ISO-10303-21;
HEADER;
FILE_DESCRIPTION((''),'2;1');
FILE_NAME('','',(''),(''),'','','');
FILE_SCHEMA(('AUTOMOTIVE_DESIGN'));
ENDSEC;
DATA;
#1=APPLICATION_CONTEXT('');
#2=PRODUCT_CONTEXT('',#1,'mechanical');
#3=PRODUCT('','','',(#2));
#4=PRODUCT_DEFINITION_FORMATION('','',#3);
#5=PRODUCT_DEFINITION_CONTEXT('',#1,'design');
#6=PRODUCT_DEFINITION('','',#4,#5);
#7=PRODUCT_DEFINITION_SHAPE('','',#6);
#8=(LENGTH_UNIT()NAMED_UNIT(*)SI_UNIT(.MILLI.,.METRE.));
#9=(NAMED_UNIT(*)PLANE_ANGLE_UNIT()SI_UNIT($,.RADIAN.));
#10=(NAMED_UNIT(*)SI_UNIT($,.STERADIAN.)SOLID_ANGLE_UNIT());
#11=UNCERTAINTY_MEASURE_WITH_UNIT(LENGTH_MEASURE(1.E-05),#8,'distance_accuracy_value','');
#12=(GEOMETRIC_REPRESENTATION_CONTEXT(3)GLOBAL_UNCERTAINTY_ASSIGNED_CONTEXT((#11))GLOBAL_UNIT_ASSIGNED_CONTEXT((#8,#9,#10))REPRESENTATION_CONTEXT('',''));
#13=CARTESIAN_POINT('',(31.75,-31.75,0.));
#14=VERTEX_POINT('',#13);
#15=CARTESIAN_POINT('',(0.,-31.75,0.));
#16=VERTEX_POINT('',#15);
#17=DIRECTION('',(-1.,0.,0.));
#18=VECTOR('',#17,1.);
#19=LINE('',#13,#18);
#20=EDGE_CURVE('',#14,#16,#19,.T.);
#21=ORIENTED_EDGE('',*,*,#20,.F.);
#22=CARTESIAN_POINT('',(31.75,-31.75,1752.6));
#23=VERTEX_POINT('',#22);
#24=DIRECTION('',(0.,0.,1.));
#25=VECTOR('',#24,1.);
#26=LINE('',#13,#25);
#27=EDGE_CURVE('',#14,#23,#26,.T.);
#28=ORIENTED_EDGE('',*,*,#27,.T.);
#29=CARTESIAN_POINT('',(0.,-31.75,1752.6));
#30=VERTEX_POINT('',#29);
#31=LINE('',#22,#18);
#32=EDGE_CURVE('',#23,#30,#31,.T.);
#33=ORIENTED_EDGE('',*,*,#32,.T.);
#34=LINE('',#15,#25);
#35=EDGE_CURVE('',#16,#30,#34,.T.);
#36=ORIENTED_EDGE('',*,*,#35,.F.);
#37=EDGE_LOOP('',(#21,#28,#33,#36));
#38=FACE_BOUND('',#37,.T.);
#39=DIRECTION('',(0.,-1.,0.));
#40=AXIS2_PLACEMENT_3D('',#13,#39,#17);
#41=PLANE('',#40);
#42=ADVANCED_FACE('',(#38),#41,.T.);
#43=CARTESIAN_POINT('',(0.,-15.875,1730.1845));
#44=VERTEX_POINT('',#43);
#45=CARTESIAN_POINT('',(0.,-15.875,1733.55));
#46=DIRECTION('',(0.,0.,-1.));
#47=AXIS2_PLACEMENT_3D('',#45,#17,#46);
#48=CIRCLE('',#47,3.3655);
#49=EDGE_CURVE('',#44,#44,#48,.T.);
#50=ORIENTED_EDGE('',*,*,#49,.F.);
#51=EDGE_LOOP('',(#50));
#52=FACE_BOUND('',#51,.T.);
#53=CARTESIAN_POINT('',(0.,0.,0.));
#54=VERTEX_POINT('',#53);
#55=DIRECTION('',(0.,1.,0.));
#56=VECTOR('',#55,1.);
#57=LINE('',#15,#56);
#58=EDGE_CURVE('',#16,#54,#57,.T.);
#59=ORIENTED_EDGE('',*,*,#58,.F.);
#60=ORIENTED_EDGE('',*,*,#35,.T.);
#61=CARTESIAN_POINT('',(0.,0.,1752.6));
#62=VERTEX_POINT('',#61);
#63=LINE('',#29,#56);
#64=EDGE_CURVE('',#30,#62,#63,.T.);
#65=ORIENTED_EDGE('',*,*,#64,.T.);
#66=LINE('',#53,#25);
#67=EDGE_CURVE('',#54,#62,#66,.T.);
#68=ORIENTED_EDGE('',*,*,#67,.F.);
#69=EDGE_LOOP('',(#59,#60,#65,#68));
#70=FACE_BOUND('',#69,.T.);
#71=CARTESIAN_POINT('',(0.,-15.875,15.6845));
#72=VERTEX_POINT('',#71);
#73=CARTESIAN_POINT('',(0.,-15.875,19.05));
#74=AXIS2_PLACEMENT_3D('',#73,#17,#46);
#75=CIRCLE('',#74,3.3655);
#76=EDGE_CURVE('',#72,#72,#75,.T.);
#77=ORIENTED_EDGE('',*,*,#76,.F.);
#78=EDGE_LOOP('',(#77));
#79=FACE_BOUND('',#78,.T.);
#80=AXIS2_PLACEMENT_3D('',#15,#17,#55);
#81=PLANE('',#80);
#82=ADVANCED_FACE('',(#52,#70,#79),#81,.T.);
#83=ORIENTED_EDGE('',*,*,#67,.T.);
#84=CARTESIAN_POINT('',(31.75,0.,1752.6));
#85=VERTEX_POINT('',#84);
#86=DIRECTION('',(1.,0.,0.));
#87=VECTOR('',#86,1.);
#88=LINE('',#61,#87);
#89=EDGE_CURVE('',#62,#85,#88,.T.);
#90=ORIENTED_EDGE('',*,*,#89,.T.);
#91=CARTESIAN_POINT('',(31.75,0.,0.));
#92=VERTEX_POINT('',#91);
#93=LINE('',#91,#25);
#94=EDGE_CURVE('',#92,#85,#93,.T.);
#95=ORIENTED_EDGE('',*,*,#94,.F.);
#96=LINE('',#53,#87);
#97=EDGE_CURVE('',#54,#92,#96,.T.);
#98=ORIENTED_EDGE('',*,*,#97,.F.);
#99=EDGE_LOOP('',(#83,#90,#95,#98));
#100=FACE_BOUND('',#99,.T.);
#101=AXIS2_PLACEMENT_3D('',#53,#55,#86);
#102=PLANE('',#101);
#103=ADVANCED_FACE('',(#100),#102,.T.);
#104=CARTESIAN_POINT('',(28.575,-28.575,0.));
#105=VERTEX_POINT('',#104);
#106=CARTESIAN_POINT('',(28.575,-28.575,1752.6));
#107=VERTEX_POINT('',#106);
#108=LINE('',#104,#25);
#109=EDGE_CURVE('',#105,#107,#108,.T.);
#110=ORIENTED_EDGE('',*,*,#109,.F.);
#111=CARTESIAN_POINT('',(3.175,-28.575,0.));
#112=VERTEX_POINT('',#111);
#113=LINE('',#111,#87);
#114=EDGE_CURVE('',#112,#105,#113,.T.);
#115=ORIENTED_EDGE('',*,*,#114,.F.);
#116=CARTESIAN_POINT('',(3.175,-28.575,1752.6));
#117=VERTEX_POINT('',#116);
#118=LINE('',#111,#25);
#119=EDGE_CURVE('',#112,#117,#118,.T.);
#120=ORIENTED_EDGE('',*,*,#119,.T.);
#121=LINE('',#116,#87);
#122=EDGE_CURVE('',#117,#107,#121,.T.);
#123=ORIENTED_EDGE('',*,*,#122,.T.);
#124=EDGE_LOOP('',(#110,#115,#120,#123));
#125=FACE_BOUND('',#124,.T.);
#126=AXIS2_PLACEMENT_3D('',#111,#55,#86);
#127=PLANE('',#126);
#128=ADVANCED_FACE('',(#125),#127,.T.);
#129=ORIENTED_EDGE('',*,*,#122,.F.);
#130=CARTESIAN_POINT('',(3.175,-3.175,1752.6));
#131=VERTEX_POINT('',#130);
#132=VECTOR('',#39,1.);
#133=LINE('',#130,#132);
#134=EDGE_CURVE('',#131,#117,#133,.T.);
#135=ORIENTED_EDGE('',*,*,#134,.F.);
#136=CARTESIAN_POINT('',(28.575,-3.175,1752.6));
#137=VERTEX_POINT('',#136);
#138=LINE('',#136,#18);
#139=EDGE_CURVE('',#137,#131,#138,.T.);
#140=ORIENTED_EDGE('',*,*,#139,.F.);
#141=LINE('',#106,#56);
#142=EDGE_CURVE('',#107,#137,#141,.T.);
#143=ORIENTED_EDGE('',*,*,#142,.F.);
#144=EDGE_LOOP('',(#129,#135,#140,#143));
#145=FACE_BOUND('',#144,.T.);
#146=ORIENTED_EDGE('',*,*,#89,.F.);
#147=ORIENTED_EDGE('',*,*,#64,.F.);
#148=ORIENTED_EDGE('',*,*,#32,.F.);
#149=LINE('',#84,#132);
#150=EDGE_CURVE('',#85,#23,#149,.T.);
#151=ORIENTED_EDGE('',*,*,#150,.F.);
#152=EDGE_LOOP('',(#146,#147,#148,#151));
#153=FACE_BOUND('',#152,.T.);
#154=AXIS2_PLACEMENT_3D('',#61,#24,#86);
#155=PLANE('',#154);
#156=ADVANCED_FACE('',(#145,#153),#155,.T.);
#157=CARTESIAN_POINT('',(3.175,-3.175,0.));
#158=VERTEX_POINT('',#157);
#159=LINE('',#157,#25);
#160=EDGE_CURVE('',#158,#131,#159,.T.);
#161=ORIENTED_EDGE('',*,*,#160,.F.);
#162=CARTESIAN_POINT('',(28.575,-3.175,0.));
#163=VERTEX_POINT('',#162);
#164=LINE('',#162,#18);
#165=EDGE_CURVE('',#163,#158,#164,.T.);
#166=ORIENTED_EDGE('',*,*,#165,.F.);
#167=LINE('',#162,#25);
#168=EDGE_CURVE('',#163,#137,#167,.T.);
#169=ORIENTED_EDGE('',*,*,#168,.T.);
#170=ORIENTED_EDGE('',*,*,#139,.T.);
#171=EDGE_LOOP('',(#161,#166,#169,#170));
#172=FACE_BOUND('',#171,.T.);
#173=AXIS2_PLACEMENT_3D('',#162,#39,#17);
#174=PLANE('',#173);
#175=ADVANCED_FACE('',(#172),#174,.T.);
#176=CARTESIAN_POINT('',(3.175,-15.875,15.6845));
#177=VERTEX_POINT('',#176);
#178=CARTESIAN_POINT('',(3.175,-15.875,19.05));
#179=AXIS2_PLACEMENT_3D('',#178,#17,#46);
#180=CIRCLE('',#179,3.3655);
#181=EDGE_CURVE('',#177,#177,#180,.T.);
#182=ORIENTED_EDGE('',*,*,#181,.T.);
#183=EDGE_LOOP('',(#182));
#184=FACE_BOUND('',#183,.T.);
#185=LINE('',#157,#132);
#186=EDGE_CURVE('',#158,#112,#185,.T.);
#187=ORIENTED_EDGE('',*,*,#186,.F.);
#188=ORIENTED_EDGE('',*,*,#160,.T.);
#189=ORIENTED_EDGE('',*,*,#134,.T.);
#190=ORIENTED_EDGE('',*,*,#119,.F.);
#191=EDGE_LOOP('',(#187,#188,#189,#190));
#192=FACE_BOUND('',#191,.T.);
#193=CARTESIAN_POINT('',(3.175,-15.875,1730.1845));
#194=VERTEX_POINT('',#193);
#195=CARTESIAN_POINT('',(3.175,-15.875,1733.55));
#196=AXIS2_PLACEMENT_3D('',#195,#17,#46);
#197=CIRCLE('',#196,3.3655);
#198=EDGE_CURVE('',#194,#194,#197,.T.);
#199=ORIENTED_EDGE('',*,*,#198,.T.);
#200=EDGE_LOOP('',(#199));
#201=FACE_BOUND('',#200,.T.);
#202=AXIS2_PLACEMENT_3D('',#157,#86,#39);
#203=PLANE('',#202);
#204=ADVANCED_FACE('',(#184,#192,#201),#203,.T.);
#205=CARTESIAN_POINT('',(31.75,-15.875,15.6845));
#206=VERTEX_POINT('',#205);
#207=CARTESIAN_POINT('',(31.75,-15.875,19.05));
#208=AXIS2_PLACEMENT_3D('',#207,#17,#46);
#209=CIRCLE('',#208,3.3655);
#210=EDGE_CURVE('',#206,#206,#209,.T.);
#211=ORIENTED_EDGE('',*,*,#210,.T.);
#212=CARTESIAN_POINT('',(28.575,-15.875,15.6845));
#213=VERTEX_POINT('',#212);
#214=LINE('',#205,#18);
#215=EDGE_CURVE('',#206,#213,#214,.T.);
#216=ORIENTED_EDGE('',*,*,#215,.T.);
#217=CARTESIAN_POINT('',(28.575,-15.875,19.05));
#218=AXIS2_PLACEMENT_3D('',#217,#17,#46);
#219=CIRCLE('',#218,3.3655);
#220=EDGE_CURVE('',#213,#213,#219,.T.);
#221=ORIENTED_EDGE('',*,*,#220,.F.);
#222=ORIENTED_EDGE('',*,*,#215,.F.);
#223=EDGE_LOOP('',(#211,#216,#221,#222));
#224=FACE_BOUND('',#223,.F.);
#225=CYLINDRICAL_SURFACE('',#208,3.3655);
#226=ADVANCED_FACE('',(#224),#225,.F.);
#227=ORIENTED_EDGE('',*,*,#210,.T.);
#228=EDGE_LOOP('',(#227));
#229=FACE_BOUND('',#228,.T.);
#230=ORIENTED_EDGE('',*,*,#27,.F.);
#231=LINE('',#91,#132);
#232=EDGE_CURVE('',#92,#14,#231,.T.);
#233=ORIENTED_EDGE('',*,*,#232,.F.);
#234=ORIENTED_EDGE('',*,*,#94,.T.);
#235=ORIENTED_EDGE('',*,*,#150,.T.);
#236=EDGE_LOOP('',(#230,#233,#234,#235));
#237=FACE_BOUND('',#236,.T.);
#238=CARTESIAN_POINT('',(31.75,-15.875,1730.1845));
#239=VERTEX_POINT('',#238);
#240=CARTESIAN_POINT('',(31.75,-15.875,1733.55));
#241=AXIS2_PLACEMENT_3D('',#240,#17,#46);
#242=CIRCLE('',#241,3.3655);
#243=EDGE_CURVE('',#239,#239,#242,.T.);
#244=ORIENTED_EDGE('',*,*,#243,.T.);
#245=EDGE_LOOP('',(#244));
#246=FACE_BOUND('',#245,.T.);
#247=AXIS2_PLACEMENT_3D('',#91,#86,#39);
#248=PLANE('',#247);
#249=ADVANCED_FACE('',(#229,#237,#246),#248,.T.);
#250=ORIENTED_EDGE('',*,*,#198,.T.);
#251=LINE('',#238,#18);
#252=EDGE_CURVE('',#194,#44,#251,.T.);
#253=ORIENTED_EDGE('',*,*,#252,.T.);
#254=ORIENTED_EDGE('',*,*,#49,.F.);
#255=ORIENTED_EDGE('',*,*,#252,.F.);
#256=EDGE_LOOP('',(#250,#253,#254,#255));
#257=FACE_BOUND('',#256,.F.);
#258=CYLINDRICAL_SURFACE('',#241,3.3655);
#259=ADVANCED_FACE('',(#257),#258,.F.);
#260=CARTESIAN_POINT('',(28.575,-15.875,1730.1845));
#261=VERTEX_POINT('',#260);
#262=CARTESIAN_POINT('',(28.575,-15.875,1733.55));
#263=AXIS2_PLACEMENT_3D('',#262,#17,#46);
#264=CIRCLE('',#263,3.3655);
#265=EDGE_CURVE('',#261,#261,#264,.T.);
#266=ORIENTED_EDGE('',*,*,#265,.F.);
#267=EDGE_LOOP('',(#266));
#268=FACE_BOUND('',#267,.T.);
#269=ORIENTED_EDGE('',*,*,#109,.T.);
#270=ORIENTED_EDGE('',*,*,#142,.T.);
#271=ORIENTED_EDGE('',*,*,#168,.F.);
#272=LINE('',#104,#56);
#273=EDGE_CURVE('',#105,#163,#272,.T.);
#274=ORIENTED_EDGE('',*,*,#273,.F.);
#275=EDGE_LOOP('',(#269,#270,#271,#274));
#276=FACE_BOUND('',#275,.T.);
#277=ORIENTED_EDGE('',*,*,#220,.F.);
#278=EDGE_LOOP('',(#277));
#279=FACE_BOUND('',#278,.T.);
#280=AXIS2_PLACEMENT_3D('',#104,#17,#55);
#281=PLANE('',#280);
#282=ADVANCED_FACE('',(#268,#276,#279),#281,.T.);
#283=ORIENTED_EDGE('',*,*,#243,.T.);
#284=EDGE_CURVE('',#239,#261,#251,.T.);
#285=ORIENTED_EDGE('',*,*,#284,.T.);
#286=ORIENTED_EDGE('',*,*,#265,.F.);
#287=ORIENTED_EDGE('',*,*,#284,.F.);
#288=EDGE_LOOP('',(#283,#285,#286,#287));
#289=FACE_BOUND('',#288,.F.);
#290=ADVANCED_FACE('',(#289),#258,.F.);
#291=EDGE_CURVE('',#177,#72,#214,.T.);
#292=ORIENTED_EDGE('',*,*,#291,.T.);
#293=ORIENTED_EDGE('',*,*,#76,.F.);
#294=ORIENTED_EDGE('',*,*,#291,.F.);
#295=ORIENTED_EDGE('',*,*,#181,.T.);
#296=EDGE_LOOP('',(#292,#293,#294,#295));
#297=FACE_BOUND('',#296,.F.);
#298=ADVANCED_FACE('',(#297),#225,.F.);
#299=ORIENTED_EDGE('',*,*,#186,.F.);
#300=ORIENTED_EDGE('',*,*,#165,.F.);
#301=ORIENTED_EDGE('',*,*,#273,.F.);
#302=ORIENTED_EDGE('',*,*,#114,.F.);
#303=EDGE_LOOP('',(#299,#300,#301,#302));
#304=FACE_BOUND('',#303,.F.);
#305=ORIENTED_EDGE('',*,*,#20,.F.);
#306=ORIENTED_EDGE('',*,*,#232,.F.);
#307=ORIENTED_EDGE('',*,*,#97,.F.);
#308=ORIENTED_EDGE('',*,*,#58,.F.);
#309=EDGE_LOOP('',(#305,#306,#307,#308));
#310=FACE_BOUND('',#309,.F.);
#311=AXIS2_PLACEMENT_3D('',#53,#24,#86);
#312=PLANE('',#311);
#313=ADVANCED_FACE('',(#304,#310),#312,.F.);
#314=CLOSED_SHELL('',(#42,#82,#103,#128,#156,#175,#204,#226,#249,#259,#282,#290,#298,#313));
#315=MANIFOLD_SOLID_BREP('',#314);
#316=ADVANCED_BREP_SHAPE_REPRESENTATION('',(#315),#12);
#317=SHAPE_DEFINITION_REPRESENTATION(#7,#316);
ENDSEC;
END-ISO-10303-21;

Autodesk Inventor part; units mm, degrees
ref_plane "YZ Plane" through (0, 0, 0) normal (1, 0, 0) x (0, 1, 0)
ref_plane "XZ Plane" through (0, 0, 0) normal (0, 1, 0) x (-1, 0, 0)
ref_plane "XY Plane" through (0, 0, 0) normal (0, 0, 1) x (1, 0, 0)
sketch "Sketch1" plane through (0, 0, 0) normal (0, 0, 1) x (1, 0, 0)
  line L0 (0, 0) -> (31.75, 0)
  line L1 (31.75, 0) -> (31.75, -31.75)
  line L2 (31.75, -31.75) -> (0, -31.75)
  line L3 (0, -31.75) -> (0, 0)
  line L4 (28.575, -28.575) -> (28.575, -3.175)
  line L5 (28.575, -3.175) -> (3.175, -3.175)
  line L6 (3.175, -3.175) -> (3.175, -28.575)
  line L7 (3.175, -28.575) -> (28.575, -28.575)
  dimension "d0" = 31.75
  dimension "d1" = 3.175
extrude "Extrusion1" add sketch "Sketch1" along normal blind 1752.6
hole "Hole1" at (31.75, -15.875, 1733.55) direction (-1, 0, 0) diameter 6.731 end through all
hole "Hole2" at (31.75, -15.875, 19.05) direction (-1, 0, 0) diameter 6.731 end through all
properties part number "GE-12090-01"
